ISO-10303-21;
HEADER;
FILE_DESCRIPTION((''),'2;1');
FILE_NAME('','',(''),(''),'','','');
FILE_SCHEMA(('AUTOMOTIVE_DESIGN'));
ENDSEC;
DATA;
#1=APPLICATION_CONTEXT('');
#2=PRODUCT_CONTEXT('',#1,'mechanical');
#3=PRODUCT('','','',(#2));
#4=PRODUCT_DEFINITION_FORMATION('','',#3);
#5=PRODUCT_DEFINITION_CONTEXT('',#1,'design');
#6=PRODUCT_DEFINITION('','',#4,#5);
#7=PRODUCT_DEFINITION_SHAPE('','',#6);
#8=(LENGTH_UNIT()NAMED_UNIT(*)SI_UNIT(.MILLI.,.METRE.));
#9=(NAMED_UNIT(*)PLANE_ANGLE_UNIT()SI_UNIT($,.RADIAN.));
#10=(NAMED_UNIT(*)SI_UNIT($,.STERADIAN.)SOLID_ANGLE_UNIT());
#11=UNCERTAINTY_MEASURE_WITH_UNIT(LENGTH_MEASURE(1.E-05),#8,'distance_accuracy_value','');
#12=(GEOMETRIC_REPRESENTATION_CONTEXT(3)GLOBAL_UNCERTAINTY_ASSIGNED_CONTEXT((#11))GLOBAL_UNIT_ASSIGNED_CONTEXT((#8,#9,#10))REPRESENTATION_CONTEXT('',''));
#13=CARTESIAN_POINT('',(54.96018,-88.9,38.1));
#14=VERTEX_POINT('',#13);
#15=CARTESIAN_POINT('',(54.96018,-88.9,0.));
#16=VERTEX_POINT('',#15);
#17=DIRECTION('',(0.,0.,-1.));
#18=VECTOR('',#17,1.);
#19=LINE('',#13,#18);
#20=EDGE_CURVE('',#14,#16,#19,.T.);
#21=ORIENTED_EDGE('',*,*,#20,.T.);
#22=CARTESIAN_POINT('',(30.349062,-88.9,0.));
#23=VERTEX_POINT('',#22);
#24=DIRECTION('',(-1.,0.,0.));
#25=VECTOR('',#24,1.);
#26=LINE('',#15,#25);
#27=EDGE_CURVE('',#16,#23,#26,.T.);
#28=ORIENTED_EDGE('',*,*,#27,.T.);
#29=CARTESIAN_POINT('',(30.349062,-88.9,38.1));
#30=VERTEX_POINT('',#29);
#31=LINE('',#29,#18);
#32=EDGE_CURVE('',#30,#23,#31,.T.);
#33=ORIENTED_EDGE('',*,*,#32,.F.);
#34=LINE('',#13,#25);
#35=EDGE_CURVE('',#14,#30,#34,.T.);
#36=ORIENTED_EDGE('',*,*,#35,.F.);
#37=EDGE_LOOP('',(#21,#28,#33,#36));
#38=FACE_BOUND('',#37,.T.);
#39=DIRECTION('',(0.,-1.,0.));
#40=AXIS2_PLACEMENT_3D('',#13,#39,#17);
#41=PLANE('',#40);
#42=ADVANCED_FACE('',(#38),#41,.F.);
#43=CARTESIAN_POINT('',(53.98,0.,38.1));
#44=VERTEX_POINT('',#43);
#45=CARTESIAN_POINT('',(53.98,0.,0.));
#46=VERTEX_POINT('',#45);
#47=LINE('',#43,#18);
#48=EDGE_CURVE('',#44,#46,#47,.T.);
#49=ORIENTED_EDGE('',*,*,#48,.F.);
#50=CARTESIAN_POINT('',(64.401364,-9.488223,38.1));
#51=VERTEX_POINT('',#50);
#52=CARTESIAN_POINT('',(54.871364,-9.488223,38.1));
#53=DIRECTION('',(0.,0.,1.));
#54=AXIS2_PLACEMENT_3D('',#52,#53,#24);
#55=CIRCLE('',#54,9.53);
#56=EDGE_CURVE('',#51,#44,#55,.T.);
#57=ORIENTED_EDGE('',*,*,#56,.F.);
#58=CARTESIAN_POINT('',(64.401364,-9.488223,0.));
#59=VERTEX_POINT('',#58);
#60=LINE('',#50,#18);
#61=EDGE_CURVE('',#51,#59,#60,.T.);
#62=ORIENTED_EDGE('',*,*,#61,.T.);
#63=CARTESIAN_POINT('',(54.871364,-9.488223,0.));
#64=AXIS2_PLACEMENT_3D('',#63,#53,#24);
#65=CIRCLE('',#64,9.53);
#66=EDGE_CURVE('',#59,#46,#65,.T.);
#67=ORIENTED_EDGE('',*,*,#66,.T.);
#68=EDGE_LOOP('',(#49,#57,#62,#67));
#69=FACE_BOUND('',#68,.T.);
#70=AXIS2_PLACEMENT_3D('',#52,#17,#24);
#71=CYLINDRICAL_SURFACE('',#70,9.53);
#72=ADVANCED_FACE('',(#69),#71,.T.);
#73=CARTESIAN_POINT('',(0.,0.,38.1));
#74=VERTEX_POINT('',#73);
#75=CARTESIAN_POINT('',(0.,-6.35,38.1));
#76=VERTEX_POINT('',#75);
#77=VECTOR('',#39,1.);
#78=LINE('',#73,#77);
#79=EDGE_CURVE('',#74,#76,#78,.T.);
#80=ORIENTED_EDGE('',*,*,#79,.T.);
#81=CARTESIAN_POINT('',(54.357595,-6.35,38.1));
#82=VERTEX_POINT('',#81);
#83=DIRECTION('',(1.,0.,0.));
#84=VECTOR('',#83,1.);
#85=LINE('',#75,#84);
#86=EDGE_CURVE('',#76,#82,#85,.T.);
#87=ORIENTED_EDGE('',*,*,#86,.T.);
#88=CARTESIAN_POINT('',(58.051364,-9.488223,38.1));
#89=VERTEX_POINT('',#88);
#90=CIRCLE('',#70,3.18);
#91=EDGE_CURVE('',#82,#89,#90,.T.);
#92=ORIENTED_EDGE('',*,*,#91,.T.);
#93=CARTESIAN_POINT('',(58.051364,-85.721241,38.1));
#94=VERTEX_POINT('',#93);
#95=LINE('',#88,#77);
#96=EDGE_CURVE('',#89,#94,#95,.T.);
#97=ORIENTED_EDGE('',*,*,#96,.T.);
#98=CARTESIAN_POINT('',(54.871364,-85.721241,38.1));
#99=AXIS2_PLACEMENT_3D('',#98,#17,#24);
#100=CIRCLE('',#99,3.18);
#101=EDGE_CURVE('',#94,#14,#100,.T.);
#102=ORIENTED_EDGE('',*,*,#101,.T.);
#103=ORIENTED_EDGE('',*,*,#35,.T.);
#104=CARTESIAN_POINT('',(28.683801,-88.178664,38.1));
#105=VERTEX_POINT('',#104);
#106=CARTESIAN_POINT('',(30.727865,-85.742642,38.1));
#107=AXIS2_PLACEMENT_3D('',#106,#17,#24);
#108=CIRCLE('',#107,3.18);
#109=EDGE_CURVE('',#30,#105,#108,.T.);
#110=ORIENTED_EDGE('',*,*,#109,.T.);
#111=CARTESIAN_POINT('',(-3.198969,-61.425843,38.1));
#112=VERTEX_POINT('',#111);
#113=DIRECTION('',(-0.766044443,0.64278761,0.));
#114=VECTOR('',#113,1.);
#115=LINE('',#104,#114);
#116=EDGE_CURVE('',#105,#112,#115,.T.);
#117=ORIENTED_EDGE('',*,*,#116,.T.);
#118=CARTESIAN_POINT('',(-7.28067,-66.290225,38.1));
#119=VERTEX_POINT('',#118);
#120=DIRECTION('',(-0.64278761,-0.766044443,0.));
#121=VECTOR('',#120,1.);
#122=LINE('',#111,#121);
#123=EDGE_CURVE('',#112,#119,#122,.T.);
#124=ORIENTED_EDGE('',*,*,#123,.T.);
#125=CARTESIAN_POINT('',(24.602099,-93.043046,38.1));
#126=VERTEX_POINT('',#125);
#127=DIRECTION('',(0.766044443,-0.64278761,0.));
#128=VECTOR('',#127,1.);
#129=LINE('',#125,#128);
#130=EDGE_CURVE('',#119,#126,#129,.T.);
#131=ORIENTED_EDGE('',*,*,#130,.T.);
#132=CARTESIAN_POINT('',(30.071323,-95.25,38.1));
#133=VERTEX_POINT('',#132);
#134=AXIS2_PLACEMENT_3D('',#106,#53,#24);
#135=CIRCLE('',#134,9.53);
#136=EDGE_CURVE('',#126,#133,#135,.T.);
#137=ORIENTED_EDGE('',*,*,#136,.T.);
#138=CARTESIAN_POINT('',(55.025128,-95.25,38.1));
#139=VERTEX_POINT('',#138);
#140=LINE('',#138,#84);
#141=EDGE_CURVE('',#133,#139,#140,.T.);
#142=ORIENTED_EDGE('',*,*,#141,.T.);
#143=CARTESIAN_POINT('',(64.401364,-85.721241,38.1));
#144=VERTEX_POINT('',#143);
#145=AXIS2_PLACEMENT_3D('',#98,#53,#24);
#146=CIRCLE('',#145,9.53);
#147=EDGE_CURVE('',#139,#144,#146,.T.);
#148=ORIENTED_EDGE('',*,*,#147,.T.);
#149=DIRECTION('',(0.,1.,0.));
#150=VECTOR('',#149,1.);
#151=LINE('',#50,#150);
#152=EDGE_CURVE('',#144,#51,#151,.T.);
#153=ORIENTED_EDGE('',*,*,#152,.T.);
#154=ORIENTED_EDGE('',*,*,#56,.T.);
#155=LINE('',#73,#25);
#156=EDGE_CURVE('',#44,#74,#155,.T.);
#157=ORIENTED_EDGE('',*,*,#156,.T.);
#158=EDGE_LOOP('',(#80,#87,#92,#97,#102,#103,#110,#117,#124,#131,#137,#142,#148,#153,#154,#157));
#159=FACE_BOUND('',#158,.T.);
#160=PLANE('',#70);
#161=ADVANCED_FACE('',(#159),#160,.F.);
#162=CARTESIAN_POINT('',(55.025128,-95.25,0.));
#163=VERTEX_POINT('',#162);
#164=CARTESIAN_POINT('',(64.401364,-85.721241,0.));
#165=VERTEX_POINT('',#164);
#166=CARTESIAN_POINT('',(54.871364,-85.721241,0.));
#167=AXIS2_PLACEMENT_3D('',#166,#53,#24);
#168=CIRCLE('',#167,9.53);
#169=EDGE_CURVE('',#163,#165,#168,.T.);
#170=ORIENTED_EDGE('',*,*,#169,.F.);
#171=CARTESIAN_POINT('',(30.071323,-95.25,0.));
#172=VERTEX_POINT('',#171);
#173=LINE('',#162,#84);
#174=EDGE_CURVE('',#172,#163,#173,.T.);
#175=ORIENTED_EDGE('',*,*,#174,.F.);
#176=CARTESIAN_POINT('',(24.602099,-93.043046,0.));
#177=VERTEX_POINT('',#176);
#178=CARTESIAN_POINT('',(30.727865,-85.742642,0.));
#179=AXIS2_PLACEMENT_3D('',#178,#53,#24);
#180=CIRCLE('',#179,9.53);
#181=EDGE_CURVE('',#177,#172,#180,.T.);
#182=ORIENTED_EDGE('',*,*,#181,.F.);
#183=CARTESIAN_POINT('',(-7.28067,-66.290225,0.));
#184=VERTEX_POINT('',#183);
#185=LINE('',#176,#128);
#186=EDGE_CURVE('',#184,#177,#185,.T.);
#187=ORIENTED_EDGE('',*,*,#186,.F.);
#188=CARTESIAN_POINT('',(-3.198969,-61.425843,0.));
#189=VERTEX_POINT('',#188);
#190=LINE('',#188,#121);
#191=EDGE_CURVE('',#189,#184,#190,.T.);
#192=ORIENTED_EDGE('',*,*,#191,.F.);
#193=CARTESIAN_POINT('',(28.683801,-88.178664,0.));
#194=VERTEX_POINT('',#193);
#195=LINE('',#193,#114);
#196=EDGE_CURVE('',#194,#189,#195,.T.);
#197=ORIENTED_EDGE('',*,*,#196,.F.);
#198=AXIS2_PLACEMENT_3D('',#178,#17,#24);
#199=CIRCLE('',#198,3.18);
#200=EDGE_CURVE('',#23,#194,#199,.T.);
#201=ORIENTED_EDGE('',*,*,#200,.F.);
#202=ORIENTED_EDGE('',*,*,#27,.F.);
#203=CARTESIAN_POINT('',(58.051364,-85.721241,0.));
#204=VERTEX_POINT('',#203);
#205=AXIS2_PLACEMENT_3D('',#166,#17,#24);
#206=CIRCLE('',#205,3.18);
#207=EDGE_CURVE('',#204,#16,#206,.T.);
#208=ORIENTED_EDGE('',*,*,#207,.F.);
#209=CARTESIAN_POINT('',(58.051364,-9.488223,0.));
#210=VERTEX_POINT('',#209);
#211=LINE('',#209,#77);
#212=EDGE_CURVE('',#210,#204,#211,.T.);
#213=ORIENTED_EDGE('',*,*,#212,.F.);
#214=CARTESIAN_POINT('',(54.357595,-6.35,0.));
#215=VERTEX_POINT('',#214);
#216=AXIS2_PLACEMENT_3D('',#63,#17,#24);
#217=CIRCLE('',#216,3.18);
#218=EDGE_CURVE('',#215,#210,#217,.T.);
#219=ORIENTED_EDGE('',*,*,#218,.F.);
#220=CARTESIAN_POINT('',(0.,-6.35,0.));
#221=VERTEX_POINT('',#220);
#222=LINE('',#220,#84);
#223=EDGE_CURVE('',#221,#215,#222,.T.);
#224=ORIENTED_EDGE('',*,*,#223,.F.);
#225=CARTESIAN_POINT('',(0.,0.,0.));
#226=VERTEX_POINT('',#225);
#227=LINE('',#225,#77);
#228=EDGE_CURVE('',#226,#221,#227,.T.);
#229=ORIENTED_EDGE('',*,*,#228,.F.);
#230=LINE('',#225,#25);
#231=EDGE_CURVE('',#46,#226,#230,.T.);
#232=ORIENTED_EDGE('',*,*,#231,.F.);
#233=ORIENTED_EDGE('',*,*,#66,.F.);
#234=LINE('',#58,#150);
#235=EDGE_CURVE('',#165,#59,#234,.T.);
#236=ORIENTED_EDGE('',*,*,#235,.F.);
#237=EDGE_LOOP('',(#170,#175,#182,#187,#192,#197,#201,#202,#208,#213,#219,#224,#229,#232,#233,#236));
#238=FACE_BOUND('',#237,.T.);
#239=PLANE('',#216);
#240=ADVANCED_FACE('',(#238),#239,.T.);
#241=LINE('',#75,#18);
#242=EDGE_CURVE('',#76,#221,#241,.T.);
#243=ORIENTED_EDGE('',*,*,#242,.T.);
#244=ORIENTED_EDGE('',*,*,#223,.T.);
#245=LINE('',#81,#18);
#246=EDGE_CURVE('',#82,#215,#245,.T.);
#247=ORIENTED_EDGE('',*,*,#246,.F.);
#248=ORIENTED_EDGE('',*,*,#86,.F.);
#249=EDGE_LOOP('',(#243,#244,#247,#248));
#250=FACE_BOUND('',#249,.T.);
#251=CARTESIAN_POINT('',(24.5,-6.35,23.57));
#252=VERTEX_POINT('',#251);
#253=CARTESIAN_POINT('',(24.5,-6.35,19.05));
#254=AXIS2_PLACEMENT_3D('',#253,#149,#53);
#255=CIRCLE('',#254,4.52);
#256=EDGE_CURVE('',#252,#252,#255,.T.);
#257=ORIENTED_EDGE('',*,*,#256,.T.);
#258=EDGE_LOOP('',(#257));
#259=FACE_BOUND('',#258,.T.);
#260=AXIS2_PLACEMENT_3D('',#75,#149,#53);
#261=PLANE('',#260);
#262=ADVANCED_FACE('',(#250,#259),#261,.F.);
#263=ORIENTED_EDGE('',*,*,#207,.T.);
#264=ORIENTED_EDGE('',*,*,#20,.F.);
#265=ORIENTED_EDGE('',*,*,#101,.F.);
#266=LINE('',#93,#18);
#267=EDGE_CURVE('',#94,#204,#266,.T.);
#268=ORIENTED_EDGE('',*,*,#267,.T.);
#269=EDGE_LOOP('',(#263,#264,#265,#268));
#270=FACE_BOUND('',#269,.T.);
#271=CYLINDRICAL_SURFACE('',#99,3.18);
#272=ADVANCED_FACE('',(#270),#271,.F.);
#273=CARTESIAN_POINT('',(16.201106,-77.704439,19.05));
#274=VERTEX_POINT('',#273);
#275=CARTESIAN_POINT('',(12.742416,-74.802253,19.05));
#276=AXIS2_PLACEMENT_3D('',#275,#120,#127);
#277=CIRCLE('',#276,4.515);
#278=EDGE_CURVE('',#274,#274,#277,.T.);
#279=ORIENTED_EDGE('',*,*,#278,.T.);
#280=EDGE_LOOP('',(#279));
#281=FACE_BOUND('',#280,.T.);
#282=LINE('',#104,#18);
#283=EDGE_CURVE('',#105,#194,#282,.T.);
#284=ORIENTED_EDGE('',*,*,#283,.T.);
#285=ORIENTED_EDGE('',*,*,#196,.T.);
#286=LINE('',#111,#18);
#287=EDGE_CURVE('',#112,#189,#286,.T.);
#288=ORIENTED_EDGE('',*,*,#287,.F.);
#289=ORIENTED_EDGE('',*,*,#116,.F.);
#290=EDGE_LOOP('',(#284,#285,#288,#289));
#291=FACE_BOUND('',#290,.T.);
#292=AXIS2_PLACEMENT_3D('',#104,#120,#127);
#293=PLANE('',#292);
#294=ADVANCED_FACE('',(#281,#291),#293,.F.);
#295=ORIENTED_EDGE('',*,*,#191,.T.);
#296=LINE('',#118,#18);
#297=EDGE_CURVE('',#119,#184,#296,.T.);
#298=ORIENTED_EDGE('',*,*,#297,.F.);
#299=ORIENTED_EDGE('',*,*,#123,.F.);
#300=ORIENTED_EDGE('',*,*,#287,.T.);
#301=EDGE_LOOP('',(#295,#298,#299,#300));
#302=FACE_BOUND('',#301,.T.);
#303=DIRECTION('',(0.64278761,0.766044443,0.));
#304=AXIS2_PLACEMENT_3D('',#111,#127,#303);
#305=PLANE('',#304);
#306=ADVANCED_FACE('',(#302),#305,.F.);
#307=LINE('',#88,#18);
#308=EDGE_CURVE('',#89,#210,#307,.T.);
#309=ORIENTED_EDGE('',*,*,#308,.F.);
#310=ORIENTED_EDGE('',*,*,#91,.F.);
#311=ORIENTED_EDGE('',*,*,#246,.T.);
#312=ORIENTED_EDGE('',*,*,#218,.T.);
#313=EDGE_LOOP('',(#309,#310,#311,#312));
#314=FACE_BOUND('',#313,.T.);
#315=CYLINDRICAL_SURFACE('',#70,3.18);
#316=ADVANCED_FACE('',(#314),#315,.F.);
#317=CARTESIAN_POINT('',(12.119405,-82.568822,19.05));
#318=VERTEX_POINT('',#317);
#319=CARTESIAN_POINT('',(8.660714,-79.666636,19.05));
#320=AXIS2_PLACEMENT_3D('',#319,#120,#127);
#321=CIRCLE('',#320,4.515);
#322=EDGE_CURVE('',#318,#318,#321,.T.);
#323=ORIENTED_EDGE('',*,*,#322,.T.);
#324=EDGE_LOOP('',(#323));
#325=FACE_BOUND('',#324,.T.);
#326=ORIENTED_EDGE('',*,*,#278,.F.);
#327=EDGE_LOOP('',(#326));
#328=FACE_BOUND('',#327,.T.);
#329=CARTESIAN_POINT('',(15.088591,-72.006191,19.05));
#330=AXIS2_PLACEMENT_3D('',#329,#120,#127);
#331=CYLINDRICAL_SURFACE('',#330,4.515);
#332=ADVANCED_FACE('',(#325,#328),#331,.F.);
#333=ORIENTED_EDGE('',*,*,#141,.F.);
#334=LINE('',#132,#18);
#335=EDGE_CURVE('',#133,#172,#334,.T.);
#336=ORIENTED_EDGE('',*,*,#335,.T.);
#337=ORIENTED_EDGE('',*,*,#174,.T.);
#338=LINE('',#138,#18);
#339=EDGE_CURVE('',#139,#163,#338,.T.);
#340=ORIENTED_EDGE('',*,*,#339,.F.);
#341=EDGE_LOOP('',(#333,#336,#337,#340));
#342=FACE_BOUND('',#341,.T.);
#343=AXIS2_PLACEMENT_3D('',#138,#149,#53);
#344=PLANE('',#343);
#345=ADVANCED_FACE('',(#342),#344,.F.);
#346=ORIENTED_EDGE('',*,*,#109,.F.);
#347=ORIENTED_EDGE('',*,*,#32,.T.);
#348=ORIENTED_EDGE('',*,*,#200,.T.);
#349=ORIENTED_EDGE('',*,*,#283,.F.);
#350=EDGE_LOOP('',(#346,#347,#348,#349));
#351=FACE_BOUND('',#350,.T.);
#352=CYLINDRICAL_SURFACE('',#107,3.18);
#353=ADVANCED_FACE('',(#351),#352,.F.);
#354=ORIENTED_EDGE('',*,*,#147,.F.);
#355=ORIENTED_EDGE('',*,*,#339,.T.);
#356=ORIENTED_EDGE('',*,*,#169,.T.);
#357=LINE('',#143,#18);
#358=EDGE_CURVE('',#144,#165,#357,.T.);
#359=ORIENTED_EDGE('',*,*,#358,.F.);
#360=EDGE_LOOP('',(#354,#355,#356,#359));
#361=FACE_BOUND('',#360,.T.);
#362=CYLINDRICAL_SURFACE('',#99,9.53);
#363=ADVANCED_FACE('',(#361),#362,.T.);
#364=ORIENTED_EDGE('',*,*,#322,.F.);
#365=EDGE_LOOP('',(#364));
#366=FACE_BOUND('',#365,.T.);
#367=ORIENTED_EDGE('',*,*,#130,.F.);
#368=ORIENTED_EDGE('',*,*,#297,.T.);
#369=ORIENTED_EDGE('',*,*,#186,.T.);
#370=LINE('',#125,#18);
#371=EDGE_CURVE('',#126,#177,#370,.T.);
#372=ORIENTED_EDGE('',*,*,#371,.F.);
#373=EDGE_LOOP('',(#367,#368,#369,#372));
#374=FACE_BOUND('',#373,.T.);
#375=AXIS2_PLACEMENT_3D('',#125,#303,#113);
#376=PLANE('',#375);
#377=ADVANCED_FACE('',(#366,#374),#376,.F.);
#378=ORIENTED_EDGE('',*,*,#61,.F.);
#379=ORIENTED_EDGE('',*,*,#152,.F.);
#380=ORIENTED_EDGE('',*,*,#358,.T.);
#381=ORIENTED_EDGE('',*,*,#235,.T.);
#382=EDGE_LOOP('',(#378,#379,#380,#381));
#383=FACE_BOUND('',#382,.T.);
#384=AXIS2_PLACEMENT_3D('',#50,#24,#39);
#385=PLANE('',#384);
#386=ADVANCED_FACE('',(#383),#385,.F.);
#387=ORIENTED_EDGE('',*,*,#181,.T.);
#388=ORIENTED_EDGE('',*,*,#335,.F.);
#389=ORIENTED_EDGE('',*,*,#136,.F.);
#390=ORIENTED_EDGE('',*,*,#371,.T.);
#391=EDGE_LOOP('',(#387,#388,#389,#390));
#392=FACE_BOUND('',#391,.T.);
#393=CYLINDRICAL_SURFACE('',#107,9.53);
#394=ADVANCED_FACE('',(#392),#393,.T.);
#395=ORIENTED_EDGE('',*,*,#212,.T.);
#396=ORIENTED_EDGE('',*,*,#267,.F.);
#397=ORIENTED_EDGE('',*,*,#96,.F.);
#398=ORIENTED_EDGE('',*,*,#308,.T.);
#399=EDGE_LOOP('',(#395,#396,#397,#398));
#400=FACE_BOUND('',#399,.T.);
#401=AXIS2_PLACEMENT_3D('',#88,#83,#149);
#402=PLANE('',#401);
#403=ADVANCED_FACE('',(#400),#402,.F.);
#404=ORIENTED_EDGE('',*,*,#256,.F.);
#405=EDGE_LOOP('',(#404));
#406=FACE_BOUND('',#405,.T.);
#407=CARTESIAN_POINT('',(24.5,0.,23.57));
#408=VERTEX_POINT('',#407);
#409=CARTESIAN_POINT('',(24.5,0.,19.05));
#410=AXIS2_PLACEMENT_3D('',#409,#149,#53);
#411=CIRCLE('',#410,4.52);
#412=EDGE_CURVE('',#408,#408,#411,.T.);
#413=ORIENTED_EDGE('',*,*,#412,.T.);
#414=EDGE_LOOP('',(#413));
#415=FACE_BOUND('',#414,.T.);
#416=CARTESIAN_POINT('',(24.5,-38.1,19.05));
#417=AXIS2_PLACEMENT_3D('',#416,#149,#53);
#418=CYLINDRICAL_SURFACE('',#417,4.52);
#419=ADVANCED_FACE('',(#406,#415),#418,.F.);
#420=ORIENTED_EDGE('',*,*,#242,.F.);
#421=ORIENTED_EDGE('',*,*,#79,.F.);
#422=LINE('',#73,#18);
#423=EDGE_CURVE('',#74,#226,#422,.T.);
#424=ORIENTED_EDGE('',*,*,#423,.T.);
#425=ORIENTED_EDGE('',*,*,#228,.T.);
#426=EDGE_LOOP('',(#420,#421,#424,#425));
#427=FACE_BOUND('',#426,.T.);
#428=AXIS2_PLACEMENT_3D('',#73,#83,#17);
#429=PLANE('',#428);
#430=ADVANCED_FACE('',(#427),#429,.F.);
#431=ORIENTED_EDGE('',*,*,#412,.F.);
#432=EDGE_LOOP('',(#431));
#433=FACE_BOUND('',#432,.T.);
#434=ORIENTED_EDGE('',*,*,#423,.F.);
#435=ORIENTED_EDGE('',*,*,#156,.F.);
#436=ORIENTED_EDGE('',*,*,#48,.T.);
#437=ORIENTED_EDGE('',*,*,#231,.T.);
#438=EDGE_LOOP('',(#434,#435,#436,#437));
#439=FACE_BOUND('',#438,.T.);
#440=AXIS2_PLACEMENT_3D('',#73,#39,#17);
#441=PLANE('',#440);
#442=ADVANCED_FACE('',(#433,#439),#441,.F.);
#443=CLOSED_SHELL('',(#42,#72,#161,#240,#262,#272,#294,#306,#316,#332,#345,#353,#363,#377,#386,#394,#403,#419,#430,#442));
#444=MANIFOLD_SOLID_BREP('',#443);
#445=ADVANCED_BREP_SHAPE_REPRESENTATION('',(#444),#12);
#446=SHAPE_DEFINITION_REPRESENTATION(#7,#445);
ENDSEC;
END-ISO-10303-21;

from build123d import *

# Parameters (mm, degrees)
BOSS_EXTRUDE1_DEPTH = 38.1
SKETCH2_R           = 4.52
CUT_EXTRUDE1_DEPTH  = 38.1
SKETCH3_R           = 4.515
CUT_EXTRUDE2_DEPTH  = 10


with BuildPart() as part:
    # Sketch1 → Boss-Extrude1 (new body)
    with BuildSketch(Plane.XY):
        with BuildLine():
            Line((0, 0), (53.98, 0))
            ThreePointArc((53.98, 0), (61.287211447, -2.441393787), (64.401363743, -9.488222735))
            Line((64.401363743, -9.488222735), (64.401363743, -85.721240556))
            ThreePointArc((64.401363743, -85.721240556), (61.664237719, -92.40538322), (55.025128035, -95.25))
            Line((55.025128035, -95.25), (30.071323434, -95.25))
            ThreePointArc((30.071323434, -95.25), (27.161692752, -94.580250085), (24.602099349, -93.043045718))
            Line((24.602099349, -93.043045718), (-7.280670374, -66.290225402))
            Line((-7.280670374, -66.290225402), (-3.198969052, -61.425843189))
            Line((-3.198969052, -61.425843189), (28.68380067, -88.178663504))
            ThreePointArc((28.68380067, -88.178663504), (29.463882201, -88.660646082), (30.349062467, -88.9))
            Line((30.349062467, -88.9), (54.96018039, -88.9))
            ThreePointArc((54.96018039, -88.9), (57.151148485, -87.938216318), (58.051363743, -85.721240556))
            Line((58.051363743, -85.721240556), (58.051363743, -9.488222735))
            ThreePointArc((58.051363743, -9.488222735), (56.930321756, -7.064776449), (54.357595252, -6.35))
            Line((54.357595252, -6.35), (0, -6.35))
            Line((0, -6.35), (0, 0))
        make_face()
    extrude(amount=BOSS_EXTRUDE1_DEPTH)

    # Sketch2 → Cut-Extrude1 (cut)
    with BuildSketch(Plane(origin=(0, 0, 0), x_dir=(1, 0, 0), z_dir=(0, 1, 0))):
        with Locations((24.5, -19.05)):
            Circle(SKETCH2_R)
    extrude(amount=-CUT_EXTRUDE1_DEPTH, mode=Mode.SUBTRACT)

    # Sketch3 → Cut-Extrude2 (cut)
    with BuildSketch(Plane(origin=(-35.649761578, -42.485731436, 0), x_dir=(0.766044443, -0.64278761, 0), z_dir=(-0.64278761, -0.766044443, 0))):
        with Locations((57.84321845, 19.05)):
            Circle(SKETCH3_R)
    extrude(amount=-CUT_EXTRUDE2_DEPTH, mode=Mode.SUBTRACT)


solid = part.part
